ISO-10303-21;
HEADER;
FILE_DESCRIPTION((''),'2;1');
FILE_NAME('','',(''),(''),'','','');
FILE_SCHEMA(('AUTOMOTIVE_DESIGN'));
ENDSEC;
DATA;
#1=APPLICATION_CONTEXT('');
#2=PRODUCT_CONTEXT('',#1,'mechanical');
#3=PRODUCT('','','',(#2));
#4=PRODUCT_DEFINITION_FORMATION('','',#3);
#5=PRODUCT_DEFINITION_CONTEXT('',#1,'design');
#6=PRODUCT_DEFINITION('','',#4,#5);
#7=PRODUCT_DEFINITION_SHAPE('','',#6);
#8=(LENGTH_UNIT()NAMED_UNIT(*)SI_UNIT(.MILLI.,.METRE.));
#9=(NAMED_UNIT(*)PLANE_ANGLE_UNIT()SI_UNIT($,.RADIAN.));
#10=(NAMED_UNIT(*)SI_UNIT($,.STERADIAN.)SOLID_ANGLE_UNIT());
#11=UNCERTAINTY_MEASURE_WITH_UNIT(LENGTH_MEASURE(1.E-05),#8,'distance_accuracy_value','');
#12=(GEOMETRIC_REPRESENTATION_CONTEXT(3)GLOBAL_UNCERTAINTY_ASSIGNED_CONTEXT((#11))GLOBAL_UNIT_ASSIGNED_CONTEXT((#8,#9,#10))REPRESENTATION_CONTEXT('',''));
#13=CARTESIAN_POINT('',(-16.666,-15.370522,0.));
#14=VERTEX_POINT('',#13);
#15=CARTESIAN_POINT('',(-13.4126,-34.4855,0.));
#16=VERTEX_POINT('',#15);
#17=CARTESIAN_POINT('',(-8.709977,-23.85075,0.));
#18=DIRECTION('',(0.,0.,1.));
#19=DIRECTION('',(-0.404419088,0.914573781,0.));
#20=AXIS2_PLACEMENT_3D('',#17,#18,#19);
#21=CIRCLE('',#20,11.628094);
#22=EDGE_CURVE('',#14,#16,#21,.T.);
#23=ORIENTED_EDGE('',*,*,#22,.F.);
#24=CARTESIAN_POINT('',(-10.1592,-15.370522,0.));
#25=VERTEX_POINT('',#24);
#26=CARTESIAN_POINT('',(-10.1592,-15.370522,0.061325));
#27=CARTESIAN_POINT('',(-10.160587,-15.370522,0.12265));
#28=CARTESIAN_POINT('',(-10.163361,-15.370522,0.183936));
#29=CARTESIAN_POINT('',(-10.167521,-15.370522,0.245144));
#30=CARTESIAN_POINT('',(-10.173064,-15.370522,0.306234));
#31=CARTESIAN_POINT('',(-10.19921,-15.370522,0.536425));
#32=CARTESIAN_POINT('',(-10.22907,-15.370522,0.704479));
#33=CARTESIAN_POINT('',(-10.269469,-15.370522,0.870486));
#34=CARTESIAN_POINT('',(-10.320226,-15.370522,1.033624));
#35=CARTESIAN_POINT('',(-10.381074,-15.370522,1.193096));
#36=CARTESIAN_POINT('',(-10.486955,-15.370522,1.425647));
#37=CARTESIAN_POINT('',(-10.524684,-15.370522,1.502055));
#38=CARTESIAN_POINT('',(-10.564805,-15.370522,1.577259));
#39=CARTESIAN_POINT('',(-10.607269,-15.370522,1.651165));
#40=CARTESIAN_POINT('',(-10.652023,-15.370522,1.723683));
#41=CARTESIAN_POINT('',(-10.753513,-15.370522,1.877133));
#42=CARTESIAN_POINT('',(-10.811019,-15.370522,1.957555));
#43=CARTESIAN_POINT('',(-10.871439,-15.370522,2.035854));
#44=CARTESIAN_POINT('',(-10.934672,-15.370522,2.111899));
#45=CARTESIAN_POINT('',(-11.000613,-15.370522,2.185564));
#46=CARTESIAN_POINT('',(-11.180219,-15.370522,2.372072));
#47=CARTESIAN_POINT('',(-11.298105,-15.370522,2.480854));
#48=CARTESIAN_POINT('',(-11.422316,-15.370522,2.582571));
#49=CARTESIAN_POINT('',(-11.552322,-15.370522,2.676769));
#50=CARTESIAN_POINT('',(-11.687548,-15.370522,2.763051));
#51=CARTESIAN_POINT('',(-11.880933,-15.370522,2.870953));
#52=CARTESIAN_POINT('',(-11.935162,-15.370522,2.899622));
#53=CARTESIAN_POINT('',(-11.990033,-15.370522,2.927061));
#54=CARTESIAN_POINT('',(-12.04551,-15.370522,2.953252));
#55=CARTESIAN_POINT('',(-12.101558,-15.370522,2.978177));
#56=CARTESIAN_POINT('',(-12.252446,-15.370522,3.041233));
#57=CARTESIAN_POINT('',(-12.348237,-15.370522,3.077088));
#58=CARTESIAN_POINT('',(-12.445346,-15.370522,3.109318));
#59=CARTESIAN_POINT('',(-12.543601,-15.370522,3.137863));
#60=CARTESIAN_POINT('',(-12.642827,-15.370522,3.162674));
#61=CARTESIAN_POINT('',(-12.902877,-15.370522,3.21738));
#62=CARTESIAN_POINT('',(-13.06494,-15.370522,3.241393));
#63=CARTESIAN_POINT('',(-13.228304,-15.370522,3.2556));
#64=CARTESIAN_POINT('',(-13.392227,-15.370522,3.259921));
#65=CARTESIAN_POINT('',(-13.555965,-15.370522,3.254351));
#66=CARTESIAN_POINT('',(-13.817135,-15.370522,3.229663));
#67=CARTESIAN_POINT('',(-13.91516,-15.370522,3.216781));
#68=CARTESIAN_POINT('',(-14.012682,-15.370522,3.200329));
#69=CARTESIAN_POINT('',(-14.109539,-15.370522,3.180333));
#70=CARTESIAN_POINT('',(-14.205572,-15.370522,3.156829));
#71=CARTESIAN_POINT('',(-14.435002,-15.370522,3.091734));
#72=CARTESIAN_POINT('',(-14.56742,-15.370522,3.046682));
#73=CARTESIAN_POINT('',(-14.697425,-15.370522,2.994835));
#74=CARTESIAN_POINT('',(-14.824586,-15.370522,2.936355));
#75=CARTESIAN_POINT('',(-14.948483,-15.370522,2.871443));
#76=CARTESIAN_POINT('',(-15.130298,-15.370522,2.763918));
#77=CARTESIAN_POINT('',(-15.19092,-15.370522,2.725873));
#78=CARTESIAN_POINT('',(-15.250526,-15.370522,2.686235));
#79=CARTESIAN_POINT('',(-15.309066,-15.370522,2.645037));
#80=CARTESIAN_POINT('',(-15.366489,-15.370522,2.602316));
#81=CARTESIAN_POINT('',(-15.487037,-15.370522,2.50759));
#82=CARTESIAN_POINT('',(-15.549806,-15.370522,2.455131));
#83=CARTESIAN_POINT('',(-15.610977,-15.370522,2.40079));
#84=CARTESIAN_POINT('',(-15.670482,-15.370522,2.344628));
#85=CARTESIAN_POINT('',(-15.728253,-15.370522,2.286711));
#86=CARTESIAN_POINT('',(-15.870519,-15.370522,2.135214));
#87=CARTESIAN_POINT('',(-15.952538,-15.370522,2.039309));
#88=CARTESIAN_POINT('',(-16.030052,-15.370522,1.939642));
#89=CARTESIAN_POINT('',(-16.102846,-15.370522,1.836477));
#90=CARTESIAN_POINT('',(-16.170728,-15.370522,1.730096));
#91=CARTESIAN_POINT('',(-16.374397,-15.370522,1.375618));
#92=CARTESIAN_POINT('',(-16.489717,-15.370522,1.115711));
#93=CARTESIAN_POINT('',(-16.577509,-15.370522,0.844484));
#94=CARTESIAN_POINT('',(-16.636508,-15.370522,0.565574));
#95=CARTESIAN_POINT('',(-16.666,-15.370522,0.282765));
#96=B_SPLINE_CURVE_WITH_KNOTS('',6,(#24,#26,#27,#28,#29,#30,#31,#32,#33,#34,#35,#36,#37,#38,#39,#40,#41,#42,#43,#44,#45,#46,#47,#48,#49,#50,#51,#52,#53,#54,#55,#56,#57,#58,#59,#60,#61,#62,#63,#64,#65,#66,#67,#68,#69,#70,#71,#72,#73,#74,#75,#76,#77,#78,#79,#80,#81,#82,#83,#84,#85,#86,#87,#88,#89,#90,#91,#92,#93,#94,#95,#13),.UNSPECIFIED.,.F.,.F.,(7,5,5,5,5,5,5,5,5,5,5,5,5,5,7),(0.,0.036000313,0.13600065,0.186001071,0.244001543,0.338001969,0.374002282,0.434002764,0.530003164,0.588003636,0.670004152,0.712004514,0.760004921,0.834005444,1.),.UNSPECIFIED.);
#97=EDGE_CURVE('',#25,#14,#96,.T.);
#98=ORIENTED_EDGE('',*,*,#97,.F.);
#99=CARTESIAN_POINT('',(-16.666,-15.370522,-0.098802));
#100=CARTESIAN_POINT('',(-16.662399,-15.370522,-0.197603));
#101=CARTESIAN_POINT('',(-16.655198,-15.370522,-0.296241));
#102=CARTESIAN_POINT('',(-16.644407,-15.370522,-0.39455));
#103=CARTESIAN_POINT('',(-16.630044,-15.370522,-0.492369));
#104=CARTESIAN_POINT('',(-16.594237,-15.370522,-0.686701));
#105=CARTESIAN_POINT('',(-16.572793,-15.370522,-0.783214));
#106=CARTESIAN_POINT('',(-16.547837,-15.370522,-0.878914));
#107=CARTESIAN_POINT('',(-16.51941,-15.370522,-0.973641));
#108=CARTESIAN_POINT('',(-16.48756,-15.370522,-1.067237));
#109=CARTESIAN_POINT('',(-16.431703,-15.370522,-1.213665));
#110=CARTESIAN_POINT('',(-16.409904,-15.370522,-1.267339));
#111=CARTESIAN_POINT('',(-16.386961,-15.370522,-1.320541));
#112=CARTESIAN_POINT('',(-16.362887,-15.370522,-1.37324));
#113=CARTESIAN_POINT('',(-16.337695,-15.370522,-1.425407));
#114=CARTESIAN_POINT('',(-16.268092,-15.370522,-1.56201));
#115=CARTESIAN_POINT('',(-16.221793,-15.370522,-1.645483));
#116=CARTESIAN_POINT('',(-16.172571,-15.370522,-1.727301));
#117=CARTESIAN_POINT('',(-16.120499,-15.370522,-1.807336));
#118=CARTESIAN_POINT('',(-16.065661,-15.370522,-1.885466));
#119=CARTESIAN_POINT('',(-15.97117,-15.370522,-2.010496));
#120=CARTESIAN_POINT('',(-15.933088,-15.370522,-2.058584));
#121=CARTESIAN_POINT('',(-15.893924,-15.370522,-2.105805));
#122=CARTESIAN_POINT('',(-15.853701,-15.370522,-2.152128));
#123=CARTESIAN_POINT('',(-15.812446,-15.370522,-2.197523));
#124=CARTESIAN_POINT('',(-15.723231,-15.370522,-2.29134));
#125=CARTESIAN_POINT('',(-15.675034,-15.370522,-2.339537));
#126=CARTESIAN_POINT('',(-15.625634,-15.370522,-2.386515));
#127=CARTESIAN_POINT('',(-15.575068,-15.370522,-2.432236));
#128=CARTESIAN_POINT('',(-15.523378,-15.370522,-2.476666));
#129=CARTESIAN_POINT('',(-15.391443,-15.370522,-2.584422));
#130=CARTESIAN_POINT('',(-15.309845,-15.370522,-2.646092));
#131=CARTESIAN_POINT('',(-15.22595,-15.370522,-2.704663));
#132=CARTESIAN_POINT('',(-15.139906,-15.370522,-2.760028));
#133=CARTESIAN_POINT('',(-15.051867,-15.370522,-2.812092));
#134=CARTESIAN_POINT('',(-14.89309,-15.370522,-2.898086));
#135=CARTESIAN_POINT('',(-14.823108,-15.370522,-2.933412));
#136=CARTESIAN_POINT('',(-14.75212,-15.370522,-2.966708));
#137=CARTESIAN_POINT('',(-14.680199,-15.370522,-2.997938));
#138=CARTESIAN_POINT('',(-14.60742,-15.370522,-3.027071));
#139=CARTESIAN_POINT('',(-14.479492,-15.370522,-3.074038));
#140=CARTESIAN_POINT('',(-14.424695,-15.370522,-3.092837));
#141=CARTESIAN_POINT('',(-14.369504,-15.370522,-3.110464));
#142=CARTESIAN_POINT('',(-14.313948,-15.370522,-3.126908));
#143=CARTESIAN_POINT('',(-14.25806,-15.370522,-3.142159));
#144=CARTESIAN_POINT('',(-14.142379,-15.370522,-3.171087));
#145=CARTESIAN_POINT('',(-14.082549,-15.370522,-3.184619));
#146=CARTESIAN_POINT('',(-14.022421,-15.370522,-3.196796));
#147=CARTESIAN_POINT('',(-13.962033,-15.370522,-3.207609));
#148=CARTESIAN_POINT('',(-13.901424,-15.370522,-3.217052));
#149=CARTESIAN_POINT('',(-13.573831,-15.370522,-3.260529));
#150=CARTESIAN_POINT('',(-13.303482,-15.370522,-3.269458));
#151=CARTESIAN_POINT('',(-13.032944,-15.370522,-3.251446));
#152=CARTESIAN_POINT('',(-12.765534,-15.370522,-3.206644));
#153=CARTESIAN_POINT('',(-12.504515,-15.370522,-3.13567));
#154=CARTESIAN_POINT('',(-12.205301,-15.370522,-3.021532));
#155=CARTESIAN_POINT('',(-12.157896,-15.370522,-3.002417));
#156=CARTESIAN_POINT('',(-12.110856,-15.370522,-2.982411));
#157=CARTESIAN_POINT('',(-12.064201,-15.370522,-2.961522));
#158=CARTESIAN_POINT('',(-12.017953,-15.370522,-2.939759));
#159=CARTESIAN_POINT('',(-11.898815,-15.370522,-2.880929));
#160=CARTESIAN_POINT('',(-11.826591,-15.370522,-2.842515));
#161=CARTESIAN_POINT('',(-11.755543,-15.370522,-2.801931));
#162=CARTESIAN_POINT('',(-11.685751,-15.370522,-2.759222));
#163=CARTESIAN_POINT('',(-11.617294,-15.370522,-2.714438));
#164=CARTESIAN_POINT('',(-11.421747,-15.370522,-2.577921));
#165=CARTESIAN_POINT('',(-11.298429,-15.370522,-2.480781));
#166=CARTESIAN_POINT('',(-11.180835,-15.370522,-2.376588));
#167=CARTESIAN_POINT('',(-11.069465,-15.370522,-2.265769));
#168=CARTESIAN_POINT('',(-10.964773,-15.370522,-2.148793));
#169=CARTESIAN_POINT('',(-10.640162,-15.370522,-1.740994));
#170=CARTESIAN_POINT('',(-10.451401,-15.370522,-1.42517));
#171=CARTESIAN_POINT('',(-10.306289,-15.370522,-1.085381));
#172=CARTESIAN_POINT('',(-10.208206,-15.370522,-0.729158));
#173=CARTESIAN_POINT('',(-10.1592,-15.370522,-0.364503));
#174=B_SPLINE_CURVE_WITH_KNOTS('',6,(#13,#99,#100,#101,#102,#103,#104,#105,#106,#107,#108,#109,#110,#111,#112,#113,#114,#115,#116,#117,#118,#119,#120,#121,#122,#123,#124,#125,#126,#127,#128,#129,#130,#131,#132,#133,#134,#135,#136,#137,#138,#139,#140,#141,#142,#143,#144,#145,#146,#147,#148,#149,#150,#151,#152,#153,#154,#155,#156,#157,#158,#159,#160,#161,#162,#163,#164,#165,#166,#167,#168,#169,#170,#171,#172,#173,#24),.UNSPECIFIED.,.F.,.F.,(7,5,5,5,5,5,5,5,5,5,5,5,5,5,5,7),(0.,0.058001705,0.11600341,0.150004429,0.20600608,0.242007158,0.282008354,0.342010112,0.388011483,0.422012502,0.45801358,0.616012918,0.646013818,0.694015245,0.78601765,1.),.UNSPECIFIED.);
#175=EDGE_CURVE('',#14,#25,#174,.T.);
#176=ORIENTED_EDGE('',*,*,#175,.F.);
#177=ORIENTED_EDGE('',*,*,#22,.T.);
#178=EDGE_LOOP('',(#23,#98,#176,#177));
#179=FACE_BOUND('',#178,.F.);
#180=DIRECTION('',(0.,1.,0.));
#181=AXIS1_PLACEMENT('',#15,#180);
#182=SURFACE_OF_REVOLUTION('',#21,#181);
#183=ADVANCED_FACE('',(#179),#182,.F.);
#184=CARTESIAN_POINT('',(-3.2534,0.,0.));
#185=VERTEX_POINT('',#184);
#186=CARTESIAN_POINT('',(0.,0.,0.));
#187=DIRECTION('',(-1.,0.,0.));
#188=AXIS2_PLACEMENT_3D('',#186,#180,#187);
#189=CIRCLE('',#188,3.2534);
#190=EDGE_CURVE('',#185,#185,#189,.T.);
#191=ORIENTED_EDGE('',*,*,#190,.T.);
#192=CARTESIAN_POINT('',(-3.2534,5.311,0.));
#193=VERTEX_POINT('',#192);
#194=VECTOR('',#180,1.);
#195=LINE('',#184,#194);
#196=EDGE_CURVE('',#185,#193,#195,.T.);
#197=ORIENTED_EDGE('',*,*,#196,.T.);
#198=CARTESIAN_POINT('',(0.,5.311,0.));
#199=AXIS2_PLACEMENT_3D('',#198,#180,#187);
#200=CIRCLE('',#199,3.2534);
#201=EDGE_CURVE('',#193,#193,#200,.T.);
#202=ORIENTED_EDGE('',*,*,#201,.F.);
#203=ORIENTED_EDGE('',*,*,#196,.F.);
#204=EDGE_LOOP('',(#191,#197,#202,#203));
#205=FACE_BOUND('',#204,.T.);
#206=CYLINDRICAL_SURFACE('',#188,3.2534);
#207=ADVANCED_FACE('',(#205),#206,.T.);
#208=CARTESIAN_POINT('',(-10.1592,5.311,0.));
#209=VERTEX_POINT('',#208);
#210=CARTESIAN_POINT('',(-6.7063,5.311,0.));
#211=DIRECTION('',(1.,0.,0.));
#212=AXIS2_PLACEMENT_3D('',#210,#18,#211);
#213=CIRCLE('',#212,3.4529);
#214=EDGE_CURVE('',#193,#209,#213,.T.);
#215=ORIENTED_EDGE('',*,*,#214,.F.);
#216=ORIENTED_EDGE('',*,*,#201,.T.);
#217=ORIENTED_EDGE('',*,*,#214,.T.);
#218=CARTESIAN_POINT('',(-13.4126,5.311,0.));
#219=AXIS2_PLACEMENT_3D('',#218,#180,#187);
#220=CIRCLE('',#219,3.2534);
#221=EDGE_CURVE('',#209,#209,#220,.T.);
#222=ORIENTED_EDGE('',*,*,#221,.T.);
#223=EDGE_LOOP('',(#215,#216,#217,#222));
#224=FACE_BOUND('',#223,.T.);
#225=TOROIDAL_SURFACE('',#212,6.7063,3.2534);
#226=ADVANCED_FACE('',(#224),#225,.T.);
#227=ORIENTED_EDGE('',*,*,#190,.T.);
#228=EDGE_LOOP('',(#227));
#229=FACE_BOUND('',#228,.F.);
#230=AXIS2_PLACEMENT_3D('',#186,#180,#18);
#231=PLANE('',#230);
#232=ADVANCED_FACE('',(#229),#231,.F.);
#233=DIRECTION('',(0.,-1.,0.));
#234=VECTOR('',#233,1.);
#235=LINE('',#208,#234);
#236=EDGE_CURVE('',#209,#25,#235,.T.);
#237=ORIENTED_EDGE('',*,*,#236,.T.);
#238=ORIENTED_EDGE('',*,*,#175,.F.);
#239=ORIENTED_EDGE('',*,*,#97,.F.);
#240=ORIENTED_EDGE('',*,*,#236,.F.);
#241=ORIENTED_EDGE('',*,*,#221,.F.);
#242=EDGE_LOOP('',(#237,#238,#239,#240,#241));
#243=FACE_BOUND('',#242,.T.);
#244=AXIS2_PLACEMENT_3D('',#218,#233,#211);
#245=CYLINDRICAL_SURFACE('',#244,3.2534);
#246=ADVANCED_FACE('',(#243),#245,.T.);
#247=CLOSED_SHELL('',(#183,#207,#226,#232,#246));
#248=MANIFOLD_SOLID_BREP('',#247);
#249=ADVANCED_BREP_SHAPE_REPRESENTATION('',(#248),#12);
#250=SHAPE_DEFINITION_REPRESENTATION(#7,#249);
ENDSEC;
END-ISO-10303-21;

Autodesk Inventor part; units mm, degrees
ref_plane "YZ Plane" through (0, 0, 0) normal (1, 0, 0) x (0, 1, 0)
ref_plane "XZ Plane" through (0, 0, 0) normal (0, 1, 0) x (-1, 0, 0)
ref_plane "XY Plane" through (0, 0, 0) normal (0, 0, 1) x (1, 0, 0)
sketch "Sketch1" plane through (0, 0, 0) normal (0, 1, 0) x (-1, 0, 0)
  circle A0 centre (0, 0) radius 3.2534
sketch "Sketch2" plane through (0, 0, 0) normal (0, 0, 1) x (1, 0, 0)
  line L0 (0, 0) -> (0, 5.311)
  arc A0 (0, 5.311) -> (-13.4126, 5.311) centre (-6.7063, 5.311) ccw
  line L1 (-13.4126, 5.311) -> (-13.4126, -19.5678)
sweep "Sweep1" add profiles "Sketch1" path "Sketch2"
sketch "Sketch3" plane through (0, 0, 0) normal (0, 0, 1) x (1, 0, 0)
  line L0 (-16.6659, -19.5678) -> (-10.1592, -19.5678) projected
  line L1 (-13.4126, -19.5678) -> (-13.4126, -13.216)
  line L2 (-13.4126, -34.4855) -> (-13.4126, -19.5678)
  line L3 (-13.4126, -13.216) -> (-13.4126, -12.2227)
  arc A0 (-13.4126, -13.216) -> (-13.4126, -34.4855) centre (-8.7099, -23.8508) ccw
  point P0 (0, 0)
revolve "Revolution1" add sketch "Sketch3" angle 360 about axis through (-13.4126, -34.4855, 0) along (0, 1, 0)
properties part number "tail"
